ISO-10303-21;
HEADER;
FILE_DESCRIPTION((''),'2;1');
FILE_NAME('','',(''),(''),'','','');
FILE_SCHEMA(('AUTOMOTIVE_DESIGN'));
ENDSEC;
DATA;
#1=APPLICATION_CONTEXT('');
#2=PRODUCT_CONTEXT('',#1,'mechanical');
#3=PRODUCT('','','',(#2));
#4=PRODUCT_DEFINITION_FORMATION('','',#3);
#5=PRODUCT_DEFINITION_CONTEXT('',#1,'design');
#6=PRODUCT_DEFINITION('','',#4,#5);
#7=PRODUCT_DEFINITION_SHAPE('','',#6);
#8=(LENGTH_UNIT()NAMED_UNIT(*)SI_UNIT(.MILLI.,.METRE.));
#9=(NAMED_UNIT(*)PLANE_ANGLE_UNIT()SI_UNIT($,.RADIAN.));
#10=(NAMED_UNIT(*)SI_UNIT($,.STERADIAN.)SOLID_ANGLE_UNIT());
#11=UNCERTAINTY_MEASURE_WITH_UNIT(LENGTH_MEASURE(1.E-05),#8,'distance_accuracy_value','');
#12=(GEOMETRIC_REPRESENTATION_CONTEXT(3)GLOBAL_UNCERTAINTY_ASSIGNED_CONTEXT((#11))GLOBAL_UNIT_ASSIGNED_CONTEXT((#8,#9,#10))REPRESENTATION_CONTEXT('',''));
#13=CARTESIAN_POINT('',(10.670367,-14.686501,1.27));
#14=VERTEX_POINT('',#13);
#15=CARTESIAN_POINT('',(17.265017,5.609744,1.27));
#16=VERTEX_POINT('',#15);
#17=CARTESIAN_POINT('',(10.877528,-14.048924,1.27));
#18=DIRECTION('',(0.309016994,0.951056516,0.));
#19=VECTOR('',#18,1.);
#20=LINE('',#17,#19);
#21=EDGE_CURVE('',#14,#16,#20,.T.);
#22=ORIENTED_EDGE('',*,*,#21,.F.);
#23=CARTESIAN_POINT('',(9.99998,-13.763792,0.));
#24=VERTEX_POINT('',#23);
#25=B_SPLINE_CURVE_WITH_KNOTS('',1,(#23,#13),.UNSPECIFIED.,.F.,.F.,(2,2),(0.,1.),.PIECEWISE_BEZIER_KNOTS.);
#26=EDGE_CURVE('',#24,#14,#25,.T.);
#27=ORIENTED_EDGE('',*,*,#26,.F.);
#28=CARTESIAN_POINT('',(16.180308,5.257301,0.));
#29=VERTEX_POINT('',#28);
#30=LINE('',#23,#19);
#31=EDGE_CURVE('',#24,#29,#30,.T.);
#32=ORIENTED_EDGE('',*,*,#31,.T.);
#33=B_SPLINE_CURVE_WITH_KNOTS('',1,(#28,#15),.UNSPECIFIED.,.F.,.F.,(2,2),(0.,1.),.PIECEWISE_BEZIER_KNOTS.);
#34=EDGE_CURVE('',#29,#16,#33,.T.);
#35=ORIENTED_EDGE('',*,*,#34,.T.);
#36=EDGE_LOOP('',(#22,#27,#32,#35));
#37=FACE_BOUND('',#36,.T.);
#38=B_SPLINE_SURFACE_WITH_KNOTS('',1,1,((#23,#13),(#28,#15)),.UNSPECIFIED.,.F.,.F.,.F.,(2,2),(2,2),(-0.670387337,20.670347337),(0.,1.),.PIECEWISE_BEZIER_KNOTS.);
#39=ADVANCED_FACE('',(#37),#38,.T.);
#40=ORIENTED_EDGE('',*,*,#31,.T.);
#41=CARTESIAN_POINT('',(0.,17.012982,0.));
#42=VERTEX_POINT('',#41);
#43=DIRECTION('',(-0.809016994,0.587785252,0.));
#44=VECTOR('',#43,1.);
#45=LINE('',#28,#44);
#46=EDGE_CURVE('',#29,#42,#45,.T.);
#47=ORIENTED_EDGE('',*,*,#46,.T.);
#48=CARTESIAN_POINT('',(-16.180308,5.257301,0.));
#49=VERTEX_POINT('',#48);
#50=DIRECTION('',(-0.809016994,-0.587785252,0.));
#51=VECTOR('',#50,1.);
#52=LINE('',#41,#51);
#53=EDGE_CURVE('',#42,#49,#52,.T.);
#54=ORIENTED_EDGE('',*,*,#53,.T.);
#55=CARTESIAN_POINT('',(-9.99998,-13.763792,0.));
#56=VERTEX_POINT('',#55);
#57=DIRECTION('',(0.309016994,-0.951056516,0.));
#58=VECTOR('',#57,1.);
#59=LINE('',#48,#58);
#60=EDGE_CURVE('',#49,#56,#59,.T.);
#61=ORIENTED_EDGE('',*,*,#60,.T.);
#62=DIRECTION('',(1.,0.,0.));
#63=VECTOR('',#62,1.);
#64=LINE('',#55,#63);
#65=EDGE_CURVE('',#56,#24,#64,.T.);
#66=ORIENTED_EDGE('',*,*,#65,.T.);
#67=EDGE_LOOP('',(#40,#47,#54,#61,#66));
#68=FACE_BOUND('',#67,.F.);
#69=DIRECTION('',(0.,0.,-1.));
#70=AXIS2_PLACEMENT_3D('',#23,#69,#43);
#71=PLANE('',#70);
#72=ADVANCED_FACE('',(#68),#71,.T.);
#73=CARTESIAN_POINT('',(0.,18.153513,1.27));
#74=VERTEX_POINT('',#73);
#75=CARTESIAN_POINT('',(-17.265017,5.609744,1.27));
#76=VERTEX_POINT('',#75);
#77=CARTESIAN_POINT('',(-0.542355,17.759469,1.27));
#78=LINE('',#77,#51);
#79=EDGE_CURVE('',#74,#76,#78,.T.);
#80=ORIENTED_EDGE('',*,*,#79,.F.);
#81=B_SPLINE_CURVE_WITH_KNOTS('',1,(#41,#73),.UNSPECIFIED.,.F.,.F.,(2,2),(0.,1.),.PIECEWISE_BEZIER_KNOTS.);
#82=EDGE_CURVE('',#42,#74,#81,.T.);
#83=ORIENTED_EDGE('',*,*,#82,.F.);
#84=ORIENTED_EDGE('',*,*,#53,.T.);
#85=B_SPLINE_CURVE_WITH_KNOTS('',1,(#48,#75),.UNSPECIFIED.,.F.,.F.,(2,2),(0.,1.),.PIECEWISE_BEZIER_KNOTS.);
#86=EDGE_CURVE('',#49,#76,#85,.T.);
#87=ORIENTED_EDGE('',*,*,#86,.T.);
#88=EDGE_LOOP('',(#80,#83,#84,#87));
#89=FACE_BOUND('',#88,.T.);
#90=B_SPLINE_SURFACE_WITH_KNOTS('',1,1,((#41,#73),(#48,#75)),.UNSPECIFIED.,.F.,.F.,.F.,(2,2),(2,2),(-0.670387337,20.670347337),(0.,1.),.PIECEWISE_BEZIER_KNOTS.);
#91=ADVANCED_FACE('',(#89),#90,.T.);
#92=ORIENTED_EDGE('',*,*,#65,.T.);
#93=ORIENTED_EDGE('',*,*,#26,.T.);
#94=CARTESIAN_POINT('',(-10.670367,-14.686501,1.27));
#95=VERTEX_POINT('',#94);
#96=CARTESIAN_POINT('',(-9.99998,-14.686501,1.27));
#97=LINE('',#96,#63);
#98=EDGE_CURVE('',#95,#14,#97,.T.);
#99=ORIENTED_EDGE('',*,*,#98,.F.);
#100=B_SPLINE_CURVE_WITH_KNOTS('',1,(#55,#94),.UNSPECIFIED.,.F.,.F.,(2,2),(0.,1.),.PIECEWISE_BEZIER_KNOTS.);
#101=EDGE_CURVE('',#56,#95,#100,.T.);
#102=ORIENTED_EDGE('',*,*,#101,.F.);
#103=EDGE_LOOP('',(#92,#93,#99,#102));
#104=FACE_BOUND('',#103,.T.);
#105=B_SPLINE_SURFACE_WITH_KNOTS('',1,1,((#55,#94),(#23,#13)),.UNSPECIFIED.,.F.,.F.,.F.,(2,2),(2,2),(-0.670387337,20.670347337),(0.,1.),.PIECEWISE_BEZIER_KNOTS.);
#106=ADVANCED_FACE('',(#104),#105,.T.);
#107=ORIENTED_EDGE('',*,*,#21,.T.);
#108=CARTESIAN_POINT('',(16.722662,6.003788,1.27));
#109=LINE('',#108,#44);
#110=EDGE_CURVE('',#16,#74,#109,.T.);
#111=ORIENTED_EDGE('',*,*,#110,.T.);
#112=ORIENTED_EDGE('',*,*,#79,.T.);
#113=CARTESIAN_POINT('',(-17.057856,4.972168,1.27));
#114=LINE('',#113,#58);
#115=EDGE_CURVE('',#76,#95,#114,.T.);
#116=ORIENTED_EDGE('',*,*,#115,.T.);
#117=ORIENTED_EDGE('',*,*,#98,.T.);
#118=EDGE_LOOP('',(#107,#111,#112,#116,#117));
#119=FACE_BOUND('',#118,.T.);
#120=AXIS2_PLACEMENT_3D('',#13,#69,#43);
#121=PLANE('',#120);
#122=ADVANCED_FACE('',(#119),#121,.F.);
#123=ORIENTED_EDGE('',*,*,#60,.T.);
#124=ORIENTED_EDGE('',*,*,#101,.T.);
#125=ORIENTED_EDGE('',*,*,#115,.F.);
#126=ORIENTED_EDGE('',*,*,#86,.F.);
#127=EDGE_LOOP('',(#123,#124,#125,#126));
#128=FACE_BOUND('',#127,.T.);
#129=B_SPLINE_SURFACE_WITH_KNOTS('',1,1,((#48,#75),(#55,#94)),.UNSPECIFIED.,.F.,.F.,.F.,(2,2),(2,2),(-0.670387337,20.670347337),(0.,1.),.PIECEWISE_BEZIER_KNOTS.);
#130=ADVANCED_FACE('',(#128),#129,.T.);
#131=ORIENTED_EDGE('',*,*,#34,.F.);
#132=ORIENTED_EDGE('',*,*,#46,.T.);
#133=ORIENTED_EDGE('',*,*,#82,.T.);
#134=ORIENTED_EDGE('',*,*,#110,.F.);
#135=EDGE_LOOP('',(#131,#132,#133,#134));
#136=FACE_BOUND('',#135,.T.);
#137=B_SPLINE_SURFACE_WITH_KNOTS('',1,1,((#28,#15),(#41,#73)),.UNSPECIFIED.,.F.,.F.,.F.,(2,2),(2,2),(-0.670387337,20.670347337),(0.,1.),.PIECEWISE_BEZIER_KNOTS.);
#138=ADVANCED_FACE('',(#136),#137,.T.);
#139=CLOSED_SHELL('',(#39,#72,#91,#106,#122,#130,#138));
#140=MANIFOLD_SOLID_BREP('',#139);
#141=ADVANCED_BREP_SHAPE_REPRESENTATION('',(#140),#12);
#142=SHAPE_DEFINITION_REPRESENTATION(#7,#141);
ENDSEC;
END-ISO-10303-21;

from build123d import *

# Parameters (mm, degrees)
F1_DEPTH = 1.27
F1_TAPER = -36


with BuildPart() as f1:
    # F0 (on Top) → F1 (new body)
    with BuildSketch(Plane.XY):
        Polygon((9.99998, -13.7637916771), (16.1803075268, 5.2573006066), (0, 17.012982141), (-16.1803075268, 5.2573006066), (-9.99998, -13.7637916771), align=None)
    extrude(amount=F1_DEPTH, taper=F1_TAPER)


solid = f1.part
